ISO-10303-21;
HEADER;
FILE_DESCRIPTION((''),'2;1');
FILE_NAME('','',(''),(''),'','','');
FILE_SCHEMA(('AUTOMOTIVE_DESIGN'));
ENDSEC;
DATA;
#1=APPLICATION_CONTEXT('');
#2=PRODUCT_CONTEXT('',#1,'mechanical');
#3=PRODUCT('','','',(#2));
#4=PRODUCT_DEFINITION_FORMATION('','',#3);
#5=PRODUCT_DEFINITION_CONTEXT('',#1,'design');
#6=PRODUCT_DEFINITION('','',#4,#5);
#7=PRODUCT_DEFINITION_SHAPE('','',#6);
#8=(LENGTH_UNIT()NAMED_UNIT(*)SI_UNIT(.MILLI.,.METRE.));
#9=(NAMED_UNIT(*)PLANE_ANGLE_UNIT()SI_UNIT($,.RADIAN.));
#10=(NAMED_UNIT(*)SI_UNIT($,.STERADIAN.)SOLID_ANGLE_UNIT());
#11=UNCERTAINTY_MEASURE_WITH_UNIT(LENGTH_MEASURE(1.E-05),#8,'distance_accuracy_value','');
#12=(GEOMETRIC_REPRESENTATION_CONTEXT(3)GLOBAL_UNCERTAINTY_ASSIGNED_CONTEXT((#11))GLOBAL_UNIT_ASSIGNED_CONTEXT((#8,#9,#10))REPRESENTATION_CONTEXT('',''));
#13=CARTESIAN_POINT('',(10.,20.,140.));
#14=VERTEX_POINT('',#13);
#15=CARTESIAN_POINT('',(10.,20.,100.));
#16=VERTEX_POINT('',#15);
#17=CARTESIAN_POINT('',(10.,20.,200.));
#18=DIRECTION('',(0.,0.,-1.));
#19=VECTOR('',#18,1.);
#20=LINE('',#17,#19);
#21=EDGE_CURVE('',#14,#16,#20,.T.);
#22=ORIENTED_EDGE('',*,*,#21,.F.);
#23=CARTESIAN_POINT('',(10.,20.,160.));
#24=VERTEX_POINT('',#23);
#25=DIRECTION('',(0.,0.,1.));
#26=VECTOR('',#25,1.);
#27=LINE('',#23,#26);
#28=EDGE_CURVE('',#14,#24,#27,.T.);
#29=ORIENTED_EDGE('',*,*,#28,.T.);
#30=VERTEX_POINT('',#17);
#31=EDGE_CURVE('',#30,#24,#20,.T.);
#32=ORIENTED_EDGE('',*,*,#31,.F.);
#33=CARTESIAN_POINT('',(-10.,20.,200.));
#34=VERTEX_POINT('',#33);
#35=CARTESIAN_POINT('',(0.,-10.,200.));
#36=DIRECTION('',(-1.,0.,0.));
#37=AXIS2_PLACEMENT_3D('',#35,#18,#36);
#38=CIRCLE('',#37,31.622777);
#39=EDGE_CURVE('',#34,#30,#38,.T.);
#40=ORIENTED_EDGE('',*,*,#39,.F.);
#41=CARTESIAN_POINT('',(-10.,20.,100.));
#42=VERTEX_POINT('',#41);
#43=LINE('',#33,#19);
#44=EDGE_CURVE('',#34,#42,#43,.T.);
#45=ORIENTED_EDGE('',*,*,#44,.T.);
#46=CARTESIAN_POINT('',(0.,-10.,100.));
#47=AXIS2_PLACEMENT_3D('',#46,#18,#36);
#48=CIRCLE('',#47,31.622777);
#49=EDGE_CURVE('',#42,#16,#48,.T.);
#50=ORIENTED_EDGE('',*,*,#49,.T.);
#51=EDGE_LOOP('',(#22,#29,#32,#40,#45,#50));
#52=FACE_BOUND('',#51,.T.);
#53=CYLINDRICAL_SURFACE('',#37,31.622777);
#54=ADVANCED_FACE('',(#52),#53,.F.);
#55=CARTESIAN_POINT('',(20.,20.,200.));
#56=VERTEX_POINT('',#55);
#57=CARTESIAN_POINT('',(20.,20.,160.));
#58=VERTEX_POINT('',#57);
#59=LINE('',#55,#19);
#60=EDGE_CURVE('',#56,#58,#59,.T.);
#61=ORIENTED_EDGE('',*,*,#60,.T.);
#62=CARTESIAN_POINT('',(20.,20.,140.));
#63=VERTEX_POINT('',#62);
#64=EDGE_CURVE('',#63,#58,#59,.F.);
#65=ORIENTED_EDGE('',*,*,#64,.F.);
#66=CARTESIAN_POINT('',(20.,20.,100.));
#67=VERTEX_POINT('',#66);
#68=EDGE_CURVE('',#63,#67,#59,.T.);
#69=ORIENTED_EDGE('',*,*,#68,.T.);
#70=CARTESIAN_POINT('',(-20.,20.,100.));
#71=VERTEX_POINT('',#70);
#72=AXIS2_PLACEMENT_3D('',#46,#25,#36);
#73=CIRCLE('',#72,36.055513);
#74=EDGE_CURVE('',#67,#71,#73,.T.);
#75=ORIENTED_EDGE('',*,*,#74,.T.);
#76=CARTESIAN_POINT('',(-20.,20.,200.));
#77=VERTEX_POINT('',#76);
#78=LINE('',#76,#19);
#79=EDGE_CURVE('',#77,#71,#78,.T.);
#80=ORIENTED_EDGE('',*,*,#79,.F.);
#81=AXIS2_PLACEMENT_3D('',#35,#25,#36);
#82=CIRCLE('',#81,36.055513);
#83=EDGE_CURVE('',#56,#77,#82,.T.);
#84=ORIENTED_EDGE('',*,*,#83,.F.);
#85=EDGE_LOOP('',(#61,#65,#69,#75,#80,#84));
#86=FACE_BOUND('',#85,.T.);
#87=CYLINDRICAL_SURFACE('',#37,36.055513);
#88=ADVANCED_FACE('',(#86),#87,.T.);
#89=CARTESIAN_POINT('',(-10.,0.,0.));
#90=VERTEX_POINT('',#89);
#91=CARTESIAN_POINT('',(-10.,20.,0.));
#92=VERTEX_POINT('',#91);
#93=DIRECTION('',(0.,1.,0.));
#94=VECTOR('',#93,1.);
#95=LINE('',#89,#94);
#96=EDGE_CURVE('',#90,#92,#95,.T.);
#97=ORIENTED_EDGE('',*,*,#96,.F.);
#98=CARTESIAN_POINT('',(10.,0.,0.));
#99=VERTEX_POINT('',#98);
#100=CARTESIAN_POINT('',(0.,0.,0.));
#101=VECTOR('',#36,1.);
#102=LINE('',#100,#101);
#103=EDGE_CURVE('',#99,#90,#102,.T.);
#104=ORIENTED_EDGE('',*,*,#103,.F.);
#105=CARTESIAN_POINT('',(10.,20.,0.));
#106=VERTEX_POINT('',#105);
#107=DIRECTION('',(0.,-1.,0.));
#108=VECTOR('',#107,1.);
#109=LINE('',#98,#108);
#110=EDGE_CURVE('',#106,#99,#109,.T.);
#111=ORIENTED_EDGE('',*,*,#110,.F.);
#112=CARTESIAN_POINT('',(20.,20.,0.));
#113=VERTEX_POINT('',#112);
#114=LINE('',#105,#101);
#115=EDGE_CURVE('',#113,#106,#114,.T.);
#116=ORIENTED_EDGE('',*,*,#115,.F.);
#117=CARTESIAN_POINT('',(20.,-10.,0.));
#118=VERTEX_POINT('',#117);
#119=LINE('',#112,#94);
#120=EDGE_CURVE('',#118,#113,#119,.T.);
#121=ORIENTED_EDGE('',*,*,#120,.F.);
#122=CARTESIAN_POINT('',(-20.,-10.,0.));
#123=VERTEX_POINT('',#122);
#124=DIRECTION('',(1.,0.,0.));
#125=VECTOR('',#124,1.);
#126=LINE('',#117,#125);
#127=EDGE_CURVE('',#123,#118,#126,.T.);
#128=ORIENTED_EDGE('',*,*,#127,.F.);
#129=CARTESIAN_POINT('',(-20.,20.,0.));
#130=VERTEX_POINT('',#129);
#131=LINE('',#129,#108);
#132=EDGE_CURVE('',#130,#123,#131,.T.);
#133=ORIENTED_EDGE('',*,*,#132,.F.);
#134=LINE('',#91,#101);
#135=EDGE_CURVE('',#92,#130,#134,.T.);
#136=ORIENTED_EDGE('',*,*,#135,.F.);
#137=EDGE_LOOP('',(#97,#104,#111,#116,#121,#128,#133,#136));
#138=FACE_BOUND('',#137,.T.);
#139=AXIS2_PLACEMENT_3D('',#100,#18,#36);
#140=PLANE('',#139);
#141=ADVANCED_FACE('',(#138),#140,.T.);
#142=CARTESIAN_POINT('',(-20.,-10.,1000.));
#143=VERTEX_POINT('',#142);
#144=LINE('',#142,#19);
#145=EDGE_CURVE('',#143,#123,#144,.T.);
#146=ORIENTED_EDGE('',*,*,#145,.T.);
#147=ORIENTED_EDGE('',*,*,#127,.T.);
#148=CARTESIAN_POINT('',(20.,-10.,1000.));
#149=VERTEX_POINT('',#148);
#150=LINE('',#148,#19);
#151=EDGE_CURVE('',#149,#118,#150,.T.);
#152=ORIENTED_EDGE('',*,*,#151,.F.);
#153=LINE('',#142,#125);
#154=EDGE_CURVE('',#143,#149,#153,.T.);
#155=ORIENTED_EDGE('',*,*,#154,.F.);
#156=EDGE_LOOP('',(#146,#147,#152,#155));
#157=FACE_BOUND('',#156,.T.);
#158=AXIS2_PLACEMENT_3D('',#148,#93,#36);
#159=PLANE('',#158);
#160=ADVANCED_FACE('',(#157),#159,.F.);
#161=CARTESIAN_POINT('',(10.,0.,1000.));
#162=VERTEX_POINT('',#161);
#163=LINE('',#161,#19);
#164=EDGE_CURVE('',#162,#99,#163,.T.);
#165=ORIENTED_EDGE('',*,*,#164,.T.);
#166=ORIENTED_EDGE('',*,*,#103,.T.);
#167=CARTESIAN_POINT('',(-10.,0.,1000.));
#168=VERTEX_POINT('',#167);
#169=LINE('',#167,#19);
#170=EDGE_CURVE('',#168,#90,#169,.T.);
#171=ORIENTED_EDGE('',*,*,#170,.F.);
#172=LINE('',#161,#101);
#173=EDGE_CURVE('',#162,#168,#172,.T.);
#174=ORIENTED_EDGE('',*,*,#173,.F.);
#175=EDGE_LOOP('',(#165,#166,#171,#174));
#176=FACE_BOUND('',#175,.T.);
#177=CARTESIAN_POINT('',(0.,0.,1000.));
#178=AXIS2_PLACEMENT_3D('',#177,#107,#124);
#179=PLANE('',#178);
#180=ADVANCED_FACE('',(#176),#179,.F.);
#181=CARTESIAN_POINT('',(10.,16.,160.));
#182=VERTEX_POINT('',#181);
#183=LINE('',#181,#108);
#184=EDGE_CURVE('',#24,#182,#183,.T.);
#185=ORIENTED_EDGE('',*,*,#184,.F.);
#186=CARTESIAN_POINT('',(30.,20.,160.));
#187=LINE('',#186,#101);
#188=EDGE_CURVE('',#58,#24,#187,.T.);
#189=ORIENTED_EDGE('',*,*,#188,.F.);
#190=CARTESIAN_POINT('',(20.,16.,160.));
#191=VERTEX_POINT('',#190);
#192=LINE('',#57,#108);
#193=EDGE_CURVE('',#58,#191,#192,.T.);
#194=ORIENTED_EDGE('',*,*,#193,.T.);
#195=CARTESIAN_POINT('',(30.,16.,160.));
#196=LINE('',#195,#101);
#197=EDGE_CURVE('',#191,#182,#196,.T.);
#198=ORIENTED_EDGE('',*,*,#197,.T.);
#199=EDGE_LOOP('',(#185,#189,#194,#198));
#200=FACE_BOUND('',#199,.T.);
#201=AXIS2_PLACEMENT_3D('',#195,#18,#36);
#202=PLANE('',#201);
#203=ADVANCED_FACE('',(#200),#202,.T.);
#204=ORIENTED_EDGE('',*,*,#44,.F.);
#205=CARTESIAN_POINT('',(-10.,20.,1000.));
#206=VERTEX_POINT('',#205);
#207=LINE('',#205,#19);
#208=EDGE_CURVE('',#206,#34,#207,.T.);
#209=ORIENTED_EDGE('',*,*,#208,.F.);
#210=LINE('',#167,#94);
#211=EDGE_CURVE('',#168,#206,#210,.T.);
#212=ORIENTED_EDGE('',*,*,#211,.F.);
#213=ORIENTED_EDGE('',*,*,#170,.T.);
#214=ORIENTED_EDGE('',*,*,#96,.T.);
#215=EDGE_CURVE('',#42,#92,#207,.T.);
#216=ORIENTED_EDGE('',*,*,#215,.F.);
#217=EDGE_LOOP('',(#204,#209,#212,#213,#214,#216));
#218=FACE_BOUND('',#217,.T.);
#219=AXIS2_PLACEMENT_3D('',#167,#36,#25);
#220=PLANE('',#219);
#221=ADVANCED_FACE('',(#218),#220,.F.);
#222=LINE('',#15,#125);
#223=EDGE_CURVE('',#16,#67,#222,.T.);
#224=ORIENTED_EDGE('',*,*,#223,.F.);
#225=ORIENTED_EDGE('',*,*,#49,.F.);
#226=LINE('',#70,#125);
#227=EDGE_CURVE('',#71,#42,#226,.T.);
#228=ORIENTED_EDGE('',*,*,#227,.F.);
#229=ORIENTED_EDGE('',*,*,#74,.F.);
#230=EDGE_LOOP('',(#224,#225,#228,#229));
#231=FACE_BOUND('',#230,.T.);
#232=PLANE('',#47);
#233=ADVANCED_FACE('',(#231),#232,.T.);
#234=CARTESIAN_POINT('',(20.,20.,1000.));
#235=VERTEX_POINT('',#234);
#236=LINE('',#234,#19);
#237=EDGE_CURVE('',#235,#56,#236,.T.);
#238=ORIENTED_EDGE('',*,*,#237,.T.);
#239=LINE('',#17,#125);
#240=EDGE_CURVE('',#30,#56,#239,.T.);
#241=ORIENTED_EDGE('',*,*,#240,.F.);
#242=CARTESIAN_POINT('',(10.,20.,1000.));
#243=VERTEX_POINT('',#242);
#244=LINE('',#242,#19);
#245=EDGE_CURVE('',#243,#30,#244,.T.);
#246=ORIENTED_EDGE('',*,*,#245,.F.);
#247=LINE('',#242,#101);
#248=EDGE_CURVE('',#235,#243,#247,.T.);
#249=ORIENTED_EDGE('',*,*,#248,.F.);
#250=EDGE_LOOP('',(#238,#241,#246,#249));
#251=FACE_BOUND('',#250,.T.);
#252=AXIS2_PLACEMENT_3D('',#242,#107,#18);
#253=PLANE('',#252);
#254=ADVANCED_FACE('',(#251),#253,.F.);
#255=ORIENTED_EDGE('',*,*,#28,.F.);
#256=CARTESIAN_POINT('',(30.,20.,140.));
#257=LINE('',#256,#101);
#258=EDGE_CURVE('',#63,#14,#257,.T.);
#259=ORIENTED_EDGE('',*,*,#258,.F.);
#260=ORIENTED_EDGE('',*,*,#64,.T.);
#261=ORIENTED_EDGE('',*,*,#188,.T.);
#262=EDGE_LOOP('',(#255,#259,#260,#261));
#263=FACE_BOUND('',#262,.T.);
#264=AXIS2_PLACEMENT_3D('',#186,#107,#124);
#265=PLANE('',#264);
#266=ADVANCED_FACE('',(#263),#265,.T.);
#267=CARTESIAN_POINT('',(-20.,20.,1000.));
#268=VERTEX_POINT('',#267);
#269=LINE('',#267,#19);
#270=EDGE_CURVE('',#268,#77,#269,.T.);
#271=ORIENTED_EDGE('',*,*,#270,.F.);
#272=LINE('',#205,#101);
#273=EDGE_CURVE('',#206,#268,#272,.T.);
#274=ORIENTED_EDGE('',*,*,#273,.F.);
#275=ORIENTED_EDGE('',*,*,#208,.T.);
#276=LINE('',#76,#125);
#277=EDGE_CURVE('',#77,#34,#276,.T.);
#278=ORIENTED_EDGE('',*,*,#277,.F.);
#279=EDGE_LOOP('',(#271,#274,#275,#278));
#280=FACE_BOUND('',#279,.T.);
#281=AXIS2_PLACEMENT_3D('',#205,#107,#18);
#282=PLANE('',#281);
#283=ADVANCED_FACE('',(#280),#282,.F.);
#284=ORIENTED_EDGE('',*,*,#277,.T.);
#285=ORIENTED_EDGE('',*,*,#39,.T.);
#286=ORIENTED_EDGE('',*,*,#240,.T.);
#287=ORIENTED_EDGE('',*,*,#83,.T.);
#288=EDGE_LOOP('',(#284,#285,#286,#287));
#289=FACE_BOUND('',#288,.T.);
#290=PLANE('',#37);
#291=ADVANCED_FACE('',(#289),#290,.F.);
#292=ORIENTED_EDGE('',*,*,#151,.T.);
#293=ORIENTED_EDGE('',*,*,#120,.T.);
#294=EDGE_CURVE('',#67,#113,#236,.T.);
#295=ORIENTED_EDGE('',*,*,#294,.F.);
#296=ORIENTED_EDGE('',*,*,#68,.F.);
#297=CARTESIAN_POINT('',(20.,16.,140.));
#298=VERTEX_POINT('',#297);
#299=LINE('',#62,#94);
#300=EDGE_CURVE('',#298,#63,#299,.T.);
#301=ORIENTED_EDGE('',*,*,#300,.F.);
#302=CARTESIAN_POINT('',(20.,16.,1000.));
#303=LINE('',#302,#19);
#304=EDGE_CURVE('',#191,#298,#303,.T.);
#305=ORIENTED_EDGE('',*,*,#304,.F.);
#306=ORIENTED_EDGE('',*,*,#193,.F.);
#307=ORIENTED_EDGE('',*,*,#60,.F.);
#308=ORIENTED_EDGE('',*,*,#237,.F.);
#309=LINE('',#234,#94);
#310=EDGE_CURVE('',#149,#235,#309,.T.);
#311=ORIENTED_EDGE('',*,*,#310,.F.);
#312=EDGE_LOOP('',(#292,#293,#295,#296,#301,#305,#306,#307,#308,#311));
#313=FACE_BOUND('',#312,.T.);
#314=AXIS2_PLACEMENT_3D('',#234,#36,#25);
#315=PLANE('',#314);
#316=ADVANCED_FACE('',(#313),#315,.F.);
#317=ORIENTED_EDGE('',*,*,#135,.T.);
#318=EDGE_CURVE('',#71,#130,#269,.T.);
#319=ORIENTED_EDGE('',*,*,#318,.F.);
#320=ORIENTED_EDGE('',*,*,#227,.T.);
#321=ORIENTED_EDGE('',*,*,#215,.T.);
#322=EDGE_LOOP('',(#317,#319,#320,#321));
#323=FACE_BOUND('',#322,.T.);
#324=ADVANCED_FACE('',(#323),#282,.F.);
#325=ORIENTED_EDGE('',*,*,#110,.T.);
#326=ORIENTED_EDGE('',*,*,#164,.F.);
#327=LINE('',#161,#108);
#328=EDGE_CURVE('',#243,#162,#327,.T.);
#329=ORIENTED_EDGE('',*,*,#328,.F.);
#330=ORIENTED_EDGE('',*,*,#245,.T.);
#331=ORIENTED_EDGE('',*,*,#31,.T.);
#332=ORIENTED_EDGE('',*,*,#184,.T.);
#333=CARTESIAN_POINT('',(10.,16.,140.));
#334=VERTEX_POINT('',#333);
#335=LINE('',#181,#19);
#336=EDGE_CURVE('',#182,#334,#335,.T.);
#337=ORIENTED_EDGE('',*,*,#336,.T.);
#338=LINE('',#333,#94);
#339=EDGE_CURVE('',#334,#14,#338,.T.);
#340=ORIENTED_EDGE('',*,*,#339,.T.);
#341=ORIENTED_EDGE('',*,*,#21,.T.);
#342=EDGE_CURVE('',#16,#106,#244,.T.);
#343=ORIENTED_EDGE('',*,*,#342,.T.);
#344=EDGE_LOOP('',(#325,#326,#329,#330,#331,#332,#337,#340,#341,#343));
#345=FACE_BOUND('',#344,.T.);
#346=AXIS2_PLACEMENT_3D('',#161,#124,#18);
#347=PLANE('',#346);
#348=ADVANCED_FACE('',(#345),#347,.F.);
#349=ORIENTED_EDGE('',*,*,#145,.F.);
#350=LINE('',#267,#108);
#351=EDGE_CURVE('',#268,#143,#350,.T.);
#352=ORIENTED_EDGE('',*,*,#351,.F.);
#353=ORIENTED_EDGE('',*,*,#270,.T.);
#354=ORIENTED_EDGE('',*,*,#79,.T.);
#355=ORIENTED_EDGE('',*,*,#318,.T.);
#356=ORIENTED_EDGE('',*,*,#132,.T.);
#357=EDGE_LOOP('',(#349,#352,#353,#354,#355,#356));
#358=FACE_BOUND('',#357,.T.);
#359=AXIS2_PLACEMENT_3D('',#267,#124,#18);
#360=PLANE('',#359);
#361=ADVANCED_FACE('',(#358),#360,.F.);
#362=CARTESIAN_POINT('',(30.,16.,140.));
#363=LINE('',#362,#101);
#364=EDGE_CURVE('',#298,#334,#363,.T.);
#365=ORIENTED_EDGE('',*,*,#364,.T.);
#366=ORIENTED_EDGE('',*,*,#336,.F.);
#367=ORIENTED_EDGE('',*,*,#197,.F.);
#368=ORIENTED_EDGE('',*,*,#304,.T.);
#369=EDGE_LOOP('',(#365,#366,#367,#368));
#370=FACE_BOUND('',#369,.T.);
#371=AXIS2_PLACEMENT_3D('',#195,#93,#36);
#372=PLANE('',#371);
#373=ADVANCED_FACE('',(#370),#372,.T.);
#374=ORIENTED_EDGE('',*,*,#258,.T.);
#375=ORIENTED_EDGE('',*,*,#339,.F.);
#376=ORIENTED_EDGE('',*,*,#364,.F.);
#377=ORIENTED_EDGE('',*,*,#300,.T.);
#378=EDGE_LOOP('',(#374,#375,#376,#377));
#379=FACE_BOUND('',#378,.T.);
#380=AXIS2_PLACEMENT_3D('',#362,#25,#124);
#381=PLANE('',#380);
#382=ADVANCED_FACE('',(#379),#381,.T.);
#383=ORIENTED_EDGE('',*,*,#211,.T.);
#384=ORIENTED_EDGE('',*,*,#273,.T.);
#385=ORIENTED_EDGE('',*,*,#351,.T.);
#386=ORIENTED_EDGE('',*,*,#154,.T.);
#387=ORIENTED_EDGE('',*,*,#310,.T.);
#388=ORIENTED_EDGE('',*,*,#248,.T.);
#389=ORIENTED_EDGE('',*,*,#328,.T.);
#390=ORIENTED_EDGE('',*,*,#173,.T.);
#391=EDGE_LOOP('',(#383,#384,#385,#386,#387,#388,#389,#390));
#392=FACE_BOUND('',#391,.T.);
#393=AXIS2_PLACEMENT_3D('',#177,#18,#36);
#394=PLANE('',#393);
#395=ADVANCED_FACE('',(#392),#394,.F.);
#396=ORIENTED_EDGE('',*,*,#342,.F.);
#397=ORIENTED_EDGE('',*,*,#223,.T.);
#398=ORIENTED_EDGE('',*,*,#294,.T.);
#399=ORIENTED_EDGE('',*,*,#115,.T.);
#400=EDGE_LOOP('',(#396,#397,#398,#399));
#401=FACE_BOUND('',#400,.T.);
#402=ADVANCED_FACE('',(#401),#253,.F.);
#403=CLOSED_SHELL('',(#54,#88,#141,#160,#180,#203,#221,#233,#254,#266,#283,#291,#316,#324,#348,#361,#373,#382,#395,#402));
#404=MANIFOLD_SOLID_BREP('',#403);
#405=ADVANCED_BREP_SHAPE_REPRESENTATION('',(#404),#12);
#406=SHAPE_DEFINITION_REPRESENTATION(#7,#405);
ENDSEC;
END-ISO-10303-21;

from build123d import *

# Parameters (mm, degrees)
EXTRUDE_1_DEPTH          = 1000
EXTRUDE_2_DEPTH          = 100
CUT_EXTRUDE_3_DEPTH      = 20
CUT_EXTRUDE_3_DEPTH_BACK = 842.888353643


with BuildPart() as part:
    # Эскиз2 → Бобышка-Вытянуть1 (new body)
    with BuildSketch(Plane.XY):
        Polygon((0, 0), (-10, 0), (-10, 20), (-20, 20), (-20, -10), (0, -10), (20, -10), (20, 20), (10, 20), (10, 0), align=None)
    extrude(amount=EXTRUDE_1_DEPTH)

    # Эскиз5 → Бобышка-Вытянуть2 (add)
    with BuildSketch(Plane.XY.offset(100)):
        with BuildLine():
            Line((-20, 20), (-10, 20))
            ThreePointArc((-10, 20), (0, 21.622776602), (10, 20))
            Line((10, 20), (20, 20))
            ThreePointArc((20, 20), (0, 26.055512755), (-20, 20))
        make_face()
    extrude(amount=EXTRUDE_2_DEPTH)

    # Sketch 5 2 → Вырез-Вытянуть3 (cut, two sides: drawn at the far end of the back side and taken through both)
    with BuildSketch(Plane(origin=(30, 16, 160), x_dir=(0, 0.1961161351381843, -0.9805806756909201), z_dir=(-1, 0, 0)).offset(-CUT_EXTRUDE_3_DEPTH_BACK)):
        Polygon((0, 0), (0.784464541, -3.922322703), (20.396078054, 0), (19.611613514, 3.922322703), align=None)
    extrude(amount=CUT_EXTRUDE_3_DEPTH + CUT_EXTRUDE_3_DEPTH_BACK, mode=Mode.SUBTRACT)


solid = part.part
